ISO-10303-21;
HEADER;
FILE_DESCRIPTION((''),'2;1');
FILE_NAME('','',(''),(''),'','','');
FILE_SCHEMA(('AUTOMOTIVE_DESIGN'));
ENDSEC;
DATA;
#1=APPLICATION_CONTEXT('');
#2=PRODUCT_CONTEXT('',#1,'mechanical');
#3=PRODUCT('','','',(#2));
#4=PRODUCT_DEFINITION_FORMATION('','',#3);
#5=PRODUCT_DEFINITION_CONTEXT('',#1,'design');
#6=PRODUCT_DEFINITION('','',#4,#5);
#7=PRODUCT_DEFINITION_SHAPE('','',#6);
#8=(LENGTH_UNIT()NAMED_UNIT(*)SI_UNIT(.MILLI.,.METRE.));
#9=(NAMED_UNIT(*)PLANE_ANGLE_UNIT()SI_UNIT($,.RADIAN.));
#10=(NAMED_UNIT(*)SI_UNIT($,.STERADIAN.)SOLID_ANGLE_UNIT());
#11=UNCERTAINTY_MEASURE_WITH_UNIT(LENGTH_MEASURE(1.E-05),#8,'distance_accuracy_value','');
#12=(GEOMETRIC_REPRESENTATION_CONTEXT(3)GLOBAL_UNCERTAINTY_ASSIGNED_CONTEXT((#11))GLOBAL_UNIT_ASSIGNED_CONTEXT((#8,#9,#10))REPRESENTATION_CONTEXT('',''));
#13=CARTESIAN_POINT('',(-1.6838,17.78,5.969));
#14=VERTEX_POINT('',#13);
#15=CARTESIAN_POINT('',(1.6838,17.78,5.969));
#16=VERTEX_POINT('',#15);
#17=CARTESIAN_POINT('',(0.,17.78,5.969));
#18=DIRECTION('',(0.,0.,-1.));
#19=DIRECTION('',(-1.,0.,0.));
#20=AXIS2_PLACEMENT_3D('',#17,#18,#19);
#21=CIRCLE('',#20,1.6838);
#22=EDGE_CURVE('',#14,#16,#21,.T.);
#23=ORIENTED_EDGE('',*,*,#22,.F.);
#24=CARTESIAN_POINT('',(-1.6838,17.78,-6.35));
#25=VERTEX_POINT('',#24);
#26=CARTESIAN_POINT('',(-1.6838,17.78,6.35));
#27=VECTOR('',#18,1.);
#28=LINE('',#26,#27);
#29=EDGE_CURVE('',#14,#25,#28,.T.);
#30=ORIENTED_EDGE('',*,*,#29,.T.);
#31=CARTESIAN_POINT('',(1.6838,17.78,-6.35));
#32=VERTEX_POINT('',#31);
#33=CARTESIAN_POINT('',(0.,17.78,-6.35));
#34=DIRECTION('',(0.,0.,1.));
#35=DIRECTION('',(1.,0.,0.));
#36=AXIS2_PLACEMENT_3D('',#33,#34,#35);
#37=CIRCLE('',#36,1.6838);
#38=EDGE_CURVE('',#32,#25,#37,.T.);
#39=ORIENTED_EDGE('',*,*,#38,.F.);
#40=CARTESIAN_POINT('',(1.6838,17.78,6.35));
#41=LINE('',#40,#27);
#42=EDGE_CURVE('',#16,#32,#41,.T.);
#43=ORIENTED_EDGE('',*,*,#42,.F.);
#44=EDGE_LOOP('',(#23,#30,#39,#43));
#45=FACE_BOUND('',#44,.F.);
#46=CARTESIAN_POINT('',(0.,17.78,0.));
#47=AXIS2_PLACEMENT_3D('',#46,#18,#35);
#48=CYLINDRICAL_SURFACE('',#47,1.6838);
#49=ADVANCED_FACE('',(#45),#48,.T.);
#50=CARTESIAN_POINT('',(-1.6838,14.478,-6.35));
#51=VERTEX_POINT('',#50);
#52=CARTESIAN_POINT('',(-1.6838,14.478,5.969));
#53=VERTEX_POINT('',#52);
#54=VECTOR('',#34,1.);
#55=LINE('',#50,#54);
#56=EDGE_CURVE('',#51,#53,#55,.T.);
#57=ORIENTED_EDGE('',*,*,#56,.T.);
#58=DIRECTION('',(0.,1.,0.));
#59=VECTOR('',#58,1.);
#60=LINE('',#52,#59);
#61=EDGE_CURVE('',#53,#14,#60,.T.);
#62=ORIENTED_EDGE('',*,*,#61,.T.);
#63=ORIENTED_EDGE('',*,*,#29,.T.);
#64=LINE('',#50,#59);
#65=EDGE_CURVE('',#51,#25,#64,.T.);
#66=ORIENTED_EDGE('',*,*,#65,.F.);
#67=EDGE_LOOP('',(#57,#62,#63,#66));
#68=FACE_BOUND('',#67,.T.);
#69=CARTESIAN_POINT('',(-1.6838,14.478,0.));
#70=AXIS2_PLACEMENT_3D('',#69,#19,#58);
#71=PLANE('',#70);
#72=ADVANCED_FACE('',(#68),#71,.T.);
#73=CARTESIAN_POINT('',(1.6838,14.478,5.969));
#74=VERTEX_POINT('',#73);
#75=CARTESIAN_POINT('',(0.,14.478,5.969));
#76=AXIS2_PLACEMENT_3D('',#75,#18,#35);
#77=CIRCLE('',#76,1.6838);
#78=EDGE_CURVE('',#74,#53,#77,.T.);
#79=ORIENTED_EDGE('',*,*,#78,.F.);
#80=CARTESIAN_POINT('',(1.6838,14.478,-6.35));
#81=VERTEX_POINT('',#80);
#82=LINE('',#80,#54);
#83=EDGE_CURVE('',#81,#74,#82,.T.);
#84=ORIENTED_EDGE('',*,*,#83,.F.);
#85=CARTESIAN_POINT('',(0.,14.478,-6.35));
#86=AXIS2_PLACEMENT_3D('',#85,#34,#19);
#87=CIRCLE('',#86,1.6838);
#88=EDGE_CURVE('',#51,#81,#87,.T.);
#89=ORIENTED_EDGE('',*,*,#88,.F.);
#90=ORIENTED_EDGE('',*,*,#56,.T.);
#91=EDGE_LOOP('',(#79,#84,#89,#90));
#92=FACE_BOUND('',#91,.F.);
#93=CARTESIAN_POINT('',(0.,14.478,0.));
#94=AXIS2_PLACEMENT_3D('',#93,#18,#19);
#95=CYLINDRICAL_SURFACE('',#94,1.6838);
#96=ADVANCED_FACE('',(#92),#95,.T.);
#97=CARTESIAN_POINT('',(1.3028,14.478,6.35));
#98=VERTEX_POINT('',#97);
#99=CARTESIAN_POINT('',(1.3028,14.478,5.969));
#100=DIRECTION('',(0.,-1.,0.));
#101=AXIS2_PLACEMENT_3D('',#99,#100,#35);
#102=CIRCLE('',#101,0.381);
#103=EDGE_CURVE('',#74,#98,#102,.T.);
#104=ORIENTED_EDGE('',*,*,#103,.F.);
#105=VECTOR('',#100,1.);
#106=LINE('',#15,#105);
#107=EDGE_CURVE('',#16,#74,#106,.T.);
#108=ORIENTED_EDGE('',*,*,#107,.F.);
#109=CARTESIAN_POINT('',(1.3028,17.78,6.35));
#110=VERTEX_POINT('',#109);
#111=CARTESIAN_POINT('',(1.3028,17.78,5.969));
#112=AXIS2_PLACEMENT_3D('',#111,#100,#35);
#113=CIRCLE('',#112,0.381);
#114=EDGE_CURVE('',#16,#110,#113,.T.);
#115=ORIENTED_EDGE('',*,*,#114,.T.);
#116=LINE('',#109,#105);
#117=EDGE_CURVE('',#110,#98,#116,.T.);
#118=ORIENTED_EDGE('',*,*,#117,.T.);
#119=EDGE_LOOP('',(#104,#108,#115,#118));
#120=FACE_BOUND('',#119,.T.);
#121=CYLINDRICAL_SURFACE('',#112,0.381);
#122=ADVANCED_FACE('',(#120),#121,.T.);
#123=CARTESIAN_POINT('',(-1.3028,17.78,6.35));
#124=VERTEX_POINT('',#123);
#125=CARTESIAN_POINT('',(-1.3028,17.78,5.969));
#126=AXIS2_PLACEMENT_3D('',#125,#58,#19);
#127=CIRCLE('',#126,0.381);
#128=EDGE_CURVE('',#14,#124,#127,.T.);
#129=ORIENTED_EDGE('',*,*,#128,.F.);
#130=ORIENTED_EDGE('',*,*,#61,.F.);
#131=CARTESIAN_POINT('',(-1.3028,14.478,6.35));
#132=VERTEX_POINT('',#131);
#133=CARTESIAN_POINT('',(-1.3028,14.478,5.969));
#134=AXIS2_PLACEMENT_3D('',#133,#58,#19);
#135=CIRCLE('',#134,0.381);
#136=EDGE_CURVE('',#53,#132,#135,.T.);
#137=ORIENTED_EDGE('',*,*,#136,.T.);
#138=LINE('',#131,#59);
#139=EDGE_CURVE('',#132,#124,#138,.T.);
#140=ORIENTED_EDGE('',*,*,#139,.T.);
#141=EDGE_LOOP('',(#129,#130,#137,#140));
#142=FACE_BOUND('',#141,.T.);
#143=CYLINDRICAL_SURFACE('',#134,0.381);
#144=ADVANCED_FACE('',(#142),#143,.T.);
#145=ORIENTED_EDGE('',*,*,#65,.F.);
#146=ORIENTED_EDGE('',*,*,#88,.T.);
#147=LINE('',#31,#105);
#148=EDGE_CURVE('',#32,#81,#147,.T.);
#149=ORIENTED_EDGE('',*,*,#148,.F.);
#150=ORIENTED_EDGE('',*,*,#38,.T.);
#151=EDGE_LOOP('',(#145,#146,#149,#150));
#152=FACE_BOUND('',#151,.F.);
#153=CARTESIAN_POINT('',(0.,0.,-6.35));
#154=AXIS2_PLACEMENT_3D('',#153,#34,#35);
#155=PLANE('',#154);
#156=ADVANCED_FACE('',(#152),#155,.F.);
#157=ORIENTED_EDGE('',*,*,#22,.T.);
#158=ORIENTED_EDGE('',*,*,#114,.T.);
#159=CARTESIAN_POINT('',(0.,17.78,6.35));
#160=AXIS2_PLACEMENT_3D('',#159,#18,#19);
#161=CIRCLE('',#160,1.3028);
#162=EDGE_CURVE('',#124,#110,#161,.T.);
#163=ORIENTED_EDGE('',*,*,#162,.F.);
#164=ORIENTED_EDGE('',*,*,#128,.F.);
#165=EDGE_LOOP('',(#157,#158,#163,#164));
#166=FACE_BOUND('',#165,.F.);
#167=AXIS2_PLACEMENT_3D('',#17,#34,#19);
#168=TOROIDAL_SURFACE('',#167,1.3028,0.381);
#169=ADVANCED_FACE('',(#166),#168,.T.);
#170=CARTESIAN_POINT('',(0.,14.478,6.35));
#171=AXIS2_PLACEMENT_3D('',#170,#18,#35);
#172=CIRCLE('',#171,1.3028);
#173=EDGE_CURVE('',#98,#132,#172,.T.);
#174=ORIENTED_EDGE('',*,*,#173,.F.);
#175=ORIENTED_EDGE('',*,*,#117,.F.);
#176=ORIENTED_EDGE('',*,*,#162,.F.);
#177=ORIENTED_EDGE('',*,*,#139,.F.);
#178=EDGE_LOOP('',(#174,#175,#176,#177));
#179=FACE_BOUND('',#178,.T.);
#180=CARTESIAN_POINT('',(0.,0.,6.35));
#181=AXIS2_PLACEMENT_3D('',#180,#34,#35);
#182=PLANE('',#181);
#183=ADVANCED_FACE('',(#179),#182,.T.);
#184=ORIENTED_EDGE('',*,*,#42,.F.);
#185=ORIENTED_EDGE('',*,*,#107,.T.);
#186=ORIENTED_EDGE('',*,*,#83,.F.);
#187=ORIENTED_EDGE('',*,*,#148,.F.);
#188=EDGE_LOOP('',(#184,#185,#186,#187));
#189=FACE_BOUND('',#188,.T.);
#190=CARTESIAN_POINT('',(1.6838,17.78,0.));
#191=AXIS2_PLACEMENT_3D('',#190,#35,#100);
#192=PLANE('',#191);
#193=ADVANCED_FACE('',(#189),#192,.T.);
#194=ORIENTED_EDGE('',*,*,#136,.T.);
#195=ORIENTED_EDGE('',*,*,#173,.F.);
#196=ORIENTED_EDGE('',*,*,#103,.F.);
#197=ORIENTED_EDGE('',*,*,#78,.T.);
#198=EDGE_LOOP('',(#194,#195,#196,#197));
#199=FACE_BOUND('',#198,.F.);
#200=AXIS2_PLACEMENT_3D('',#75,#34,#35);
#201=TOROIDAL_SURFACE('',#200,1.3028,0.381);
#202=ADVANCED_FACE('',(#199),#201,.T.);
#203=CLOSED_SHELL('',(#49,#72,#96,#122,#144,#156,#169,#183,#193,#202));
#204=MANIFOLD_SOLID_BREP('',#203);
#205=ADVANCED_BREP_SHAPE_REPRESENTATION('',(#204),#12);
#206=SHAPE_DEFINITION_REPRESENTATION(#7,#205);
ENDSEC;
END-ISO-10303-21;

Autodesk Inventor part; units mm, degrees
ref_plane "YZ Plane" through (0, 0, 0) normal (1, 0, 0) x (0, 1, 0)
ref_plane "XZ Plane" through (0, 0, 0) normal (0, 1, 0) x (-1, 0, 0)
ref_plane "XY Plane" through (0, 0, 0) normal (0, 0, 1) x (1, 0, 0)
sketch "Sketch1" plane through (0, 0, 0) normal (0, 0, 1) x (1, 0, 0)
  arc A0 (-2.159, 14.478) -> (2.159, 14.478) centre (0, 14.478) ccw projected
  line L0 (-2.159, 14.478) -> (-2.159, 17.78) projected
  arc A1 (2.159, 17.78) -> (-2.159, 17.78) centre (0, 17.78) ccw projected
  line L1 (2.159, 17.78) -> (2.159, 14.478) projected
  line L2 (-3.81, -17.78) -> (-3.81, 17.78) projected
  arc A2 (-3.81, -17.78) -> (3.81, -17.78) centre (0, -17.78) ccw projected
  line L3 (3.81, 17.78) -> (3.81, -17.78) projected
  arc A3 (3.81, 17.78) -> (-3.81, 17.78) centre (0, 17.78) ccw projected
  arc A4 (-1.6838, 14.478) -> (1.6838, 14.478) centre (0, 14.478) ccw
  line L4 (-1.6838, 14.478) -> (-1.6838, 17.78)
  arc A5 (1.6838, 17.78) -> (-1.6838, 17.78) centre (0, 17.78) ccw
  line L5 (1.6838, 17.78) -> (1.6838, 14.478)
extrude "Extrusion1" add sketch "Sketch1" along normal mid plane 12.7 contours L4 A5 L5 A4
fillet "Fillet1" radius 0.381 4 edges at (-1.6838, 16.129, 6.35) (0, 19.4638, 6.35) (1.6838, 16.129, 6.35) (0, 12.7942, 6.35)
properties part number "BUSS-SAFTY-TRIP"
